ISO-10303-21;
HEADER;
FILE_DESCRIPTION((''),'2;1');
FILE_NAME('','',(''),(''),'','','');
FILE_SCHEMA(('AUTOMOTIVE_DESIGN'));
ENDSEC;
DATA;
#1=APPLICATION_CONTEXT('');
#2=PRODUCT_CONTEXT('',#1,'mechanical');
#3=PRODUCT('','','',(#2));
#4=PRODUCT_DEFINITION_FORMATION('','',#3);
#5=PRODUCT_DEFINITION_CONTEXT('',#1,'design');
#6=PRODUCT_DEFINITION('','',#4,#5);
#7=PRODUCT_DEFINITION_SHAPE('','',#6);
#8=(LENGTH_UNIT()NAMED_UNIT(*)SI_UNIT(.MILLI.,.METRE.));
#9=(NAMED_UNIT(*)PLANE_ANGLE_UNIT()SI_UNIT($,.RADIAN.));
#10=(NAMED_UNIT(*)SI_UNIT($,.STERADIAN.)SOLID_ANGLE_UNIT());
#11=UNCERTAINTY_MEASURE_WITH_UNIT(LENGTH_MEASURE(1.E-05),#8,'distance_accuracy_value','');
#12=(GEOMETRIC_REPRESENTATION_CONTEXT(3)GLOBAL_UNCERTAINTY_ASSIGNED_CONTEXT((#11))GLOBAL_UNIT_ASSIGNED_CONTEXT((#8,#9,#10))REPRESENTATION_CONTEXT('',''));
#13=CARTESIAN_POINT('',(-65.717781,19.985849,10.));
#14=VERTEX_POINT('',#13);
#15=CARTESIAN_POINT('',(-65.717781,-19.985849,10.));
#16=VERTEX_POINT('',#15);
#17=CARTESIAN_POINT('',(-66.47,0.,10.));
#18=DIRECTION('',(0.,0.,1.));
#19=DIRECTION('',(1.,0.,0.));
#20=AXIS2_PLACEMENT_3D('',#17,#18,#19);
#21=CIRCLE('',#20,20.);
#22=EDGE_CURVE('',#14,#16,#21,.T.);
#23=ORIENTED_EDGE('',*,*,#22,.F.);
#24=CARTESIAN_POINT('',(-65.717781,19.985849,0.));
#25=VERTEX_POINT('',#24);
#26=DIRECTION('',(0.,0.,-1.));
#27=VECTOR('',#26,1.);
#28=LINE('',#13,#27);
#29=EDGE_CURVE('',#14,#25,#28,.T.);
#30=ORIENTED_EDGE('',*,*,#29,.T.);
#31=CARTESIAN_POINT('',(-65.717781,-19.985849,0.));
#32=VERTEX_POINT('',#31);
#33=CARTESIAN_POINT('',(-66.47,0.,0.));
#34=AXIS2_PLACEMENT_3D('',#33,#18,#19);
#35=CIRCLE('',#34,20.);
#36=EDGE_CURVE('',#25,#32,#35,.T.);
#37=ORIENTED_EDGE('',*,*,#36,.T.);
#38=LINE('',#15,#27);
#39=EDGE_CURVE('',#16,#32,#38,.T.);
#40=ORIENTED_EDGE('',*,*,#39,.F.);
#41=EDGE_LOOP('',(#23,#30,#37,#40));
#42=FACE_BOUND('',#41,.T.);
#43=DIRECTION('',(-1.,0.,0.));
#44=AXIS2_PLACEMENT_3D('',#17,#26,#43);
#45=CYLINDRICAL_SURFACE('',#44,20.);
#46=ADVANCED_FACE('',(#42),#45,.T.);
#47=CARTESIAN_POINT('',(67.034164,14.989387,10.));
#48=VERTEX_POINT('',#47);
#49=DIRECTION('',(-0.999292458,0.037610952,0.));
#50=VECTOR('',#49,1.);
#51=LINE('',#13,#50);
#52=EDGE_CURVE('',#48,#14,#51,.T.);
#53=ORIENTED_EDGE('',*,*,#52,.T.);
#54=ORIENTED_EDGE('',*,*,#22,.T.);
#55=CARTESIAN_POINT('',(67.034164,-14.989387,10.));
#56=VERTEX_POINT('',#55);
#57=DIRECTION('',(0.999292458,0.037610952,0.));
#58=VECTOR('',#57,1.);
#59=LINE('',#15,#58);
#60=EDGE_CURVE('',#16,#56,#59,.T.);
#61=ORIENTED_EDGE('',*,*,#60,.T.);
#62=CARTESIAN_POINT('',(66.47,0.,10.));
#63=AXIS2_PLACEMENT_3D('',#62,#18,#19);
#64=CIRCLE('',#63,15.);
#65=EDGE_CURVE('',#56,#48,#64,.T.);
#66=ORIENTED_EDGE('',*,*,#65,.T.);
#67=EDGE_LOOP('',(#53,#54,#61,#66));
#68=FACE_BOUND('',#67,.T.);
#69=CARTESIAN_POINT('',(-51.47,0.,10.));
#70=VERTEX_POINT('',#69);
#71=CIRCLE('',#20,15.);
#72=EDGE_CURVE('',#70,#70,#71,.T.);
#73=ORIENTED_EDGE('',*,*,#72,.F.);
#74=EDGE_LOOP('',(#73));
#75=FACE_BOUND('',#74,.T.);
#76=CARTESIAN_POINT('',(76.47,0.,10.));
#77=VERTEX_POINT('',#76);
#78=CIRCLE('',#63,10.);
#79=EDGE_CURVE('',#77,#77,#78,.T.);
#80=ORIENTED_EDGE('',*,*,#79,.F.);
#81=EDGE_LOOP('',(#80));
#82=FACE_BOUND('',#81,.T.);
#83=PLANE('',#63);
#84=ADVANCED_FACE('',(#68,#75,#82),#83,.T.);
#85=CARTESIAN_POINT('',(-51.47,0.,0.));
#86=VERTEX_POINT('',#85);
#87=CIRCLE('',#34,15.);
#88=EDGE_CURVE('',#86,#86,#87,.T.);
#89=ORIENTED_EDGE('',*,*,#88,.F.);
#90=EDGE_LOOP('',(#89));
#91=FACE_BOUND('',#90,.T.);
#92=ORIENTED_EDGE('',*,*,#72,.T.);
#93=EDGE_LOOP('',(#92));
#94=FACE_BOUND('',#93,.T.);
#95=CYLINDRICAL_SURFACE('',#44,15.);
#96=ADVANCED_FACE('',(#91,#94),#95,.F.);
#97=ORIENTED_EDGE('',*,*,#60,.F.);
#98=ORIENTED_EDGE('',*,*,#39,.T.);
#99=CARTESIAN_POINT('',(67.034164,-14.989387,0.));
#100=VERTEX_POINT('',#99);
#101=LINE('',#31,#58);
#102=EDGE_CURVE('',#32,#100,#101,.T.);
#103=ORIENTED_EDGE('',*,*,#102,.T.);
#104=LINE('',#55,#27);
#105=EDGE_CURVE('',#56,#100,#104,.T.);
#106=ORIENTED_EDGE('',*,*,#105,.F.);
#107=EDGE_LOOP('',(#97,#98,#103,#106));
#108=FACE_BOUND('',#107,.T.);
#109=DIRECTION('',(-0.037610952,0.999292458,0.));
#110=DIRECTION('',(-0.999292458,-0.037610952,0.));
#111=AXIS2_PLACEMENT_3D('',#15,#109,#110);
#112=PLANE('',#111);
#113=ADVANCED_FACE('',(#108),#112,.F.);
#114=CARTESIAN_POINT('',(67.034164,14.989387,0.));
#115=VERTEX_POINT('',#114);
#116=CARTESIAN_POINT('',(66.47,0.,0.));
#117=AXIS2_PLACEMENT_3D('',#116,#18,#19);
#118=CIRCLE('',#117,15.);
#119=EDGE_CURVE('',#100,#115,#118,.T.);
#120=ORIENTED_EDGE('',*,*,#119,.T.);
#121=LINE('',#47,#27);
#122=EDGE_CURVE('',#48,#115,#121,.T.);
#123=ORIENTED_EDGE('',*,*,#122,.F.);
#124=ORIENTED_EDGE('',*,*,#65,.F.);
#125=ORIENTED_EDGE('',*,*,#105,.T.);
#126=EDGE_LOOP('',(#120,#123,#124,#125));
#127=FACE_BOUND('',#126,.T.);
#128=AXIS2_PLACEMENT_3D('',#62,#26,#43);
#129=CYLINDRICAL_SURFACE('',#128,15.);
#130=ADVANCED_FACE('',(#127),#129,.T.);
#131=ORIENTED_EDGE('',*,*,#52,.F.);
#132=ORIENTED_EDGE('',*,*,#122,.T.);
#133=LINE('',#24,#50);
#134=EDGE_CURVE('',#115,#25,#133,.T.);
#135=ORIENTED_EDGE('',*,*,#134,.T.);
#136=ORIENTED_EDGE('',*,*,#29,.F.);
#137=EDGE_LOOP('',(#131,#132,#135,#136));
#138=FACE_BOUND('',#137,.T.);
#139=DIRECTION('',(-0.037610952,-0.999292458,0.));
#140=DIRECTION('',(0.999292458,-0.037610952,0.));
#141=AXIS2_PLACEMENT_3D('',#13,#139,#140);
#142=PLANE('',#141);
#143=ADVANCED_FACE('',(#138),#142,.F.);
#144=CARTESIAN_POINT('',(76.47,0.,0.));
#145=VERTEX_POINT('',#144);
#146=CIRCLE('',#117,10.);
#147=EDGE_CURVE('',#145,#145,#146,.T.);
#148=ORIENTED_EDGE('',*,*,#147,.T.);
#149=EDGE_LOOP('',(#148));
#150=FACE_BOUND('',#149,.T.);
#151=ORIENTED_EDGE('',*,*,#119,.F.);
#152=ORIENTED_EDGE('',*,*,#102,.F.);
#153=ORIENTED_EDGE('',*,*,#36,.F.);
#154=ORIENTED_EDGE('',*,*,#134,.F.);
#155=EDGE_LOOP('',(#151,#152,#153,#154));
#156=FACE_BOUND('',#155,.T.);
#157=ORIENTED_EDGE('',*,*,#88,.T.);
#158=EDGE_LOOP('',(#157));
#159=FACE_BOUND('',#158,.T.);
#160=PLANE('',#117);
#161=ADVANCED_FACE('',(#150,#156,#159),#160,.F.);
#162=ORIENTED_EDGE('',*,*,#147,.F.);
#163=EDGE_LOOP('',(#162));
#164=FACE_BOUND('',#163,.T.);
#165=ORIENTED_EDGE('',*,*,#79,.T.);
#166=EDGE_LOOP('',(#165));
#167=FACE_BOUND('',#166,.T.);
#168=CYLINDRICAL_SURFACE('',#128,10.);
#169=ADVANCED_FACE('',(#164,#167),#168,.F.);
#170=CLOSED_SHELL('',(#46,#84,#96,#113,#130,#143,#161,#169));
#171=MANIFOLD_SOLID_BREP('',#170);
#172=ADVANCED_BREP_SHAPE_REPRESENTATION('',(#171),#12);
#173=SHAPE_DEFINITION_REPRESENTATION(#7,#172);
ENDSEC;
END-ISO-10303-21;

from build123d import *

# Parameters (mm, degrees)
SKETCH1_R           = 15
SKETCH1_R_2         = 10
BOSS_EXTRUDE1_DEPTH = 10


with BuildPart() as part:
    # Sketch1 → Boss-Extrude1 (new body)
    with BuildSketch(Plane.XY):
        with BuildLine():
            Line((-65.717780954, 19.985849157), (67.034164285, 14.989386867))
            ThreePointArc((67.034164285, 14.989386867), (81.47, 0), (67.034164285, -14.989386867))
            Line((67.034164285, -14.989386867), (-65.717780954, -19.985849157))
            ThreePointArc((-65.717780954, -19.985849157), (-86.47, 0), (-65.717780954, 19.985849157))
        make_face()
        with Locations((-66.47, 0)):
            Circle(SKETCH1_R, mode=Mode.SUBTRACT)
        with Locations((66.47, 0)):
            Circle(SKETCH1_R_2, mode=Mode.SUBTRACT)
    extrude(amount=BOSS_EXTRUDE1_DEPTH)


solid = part.part
